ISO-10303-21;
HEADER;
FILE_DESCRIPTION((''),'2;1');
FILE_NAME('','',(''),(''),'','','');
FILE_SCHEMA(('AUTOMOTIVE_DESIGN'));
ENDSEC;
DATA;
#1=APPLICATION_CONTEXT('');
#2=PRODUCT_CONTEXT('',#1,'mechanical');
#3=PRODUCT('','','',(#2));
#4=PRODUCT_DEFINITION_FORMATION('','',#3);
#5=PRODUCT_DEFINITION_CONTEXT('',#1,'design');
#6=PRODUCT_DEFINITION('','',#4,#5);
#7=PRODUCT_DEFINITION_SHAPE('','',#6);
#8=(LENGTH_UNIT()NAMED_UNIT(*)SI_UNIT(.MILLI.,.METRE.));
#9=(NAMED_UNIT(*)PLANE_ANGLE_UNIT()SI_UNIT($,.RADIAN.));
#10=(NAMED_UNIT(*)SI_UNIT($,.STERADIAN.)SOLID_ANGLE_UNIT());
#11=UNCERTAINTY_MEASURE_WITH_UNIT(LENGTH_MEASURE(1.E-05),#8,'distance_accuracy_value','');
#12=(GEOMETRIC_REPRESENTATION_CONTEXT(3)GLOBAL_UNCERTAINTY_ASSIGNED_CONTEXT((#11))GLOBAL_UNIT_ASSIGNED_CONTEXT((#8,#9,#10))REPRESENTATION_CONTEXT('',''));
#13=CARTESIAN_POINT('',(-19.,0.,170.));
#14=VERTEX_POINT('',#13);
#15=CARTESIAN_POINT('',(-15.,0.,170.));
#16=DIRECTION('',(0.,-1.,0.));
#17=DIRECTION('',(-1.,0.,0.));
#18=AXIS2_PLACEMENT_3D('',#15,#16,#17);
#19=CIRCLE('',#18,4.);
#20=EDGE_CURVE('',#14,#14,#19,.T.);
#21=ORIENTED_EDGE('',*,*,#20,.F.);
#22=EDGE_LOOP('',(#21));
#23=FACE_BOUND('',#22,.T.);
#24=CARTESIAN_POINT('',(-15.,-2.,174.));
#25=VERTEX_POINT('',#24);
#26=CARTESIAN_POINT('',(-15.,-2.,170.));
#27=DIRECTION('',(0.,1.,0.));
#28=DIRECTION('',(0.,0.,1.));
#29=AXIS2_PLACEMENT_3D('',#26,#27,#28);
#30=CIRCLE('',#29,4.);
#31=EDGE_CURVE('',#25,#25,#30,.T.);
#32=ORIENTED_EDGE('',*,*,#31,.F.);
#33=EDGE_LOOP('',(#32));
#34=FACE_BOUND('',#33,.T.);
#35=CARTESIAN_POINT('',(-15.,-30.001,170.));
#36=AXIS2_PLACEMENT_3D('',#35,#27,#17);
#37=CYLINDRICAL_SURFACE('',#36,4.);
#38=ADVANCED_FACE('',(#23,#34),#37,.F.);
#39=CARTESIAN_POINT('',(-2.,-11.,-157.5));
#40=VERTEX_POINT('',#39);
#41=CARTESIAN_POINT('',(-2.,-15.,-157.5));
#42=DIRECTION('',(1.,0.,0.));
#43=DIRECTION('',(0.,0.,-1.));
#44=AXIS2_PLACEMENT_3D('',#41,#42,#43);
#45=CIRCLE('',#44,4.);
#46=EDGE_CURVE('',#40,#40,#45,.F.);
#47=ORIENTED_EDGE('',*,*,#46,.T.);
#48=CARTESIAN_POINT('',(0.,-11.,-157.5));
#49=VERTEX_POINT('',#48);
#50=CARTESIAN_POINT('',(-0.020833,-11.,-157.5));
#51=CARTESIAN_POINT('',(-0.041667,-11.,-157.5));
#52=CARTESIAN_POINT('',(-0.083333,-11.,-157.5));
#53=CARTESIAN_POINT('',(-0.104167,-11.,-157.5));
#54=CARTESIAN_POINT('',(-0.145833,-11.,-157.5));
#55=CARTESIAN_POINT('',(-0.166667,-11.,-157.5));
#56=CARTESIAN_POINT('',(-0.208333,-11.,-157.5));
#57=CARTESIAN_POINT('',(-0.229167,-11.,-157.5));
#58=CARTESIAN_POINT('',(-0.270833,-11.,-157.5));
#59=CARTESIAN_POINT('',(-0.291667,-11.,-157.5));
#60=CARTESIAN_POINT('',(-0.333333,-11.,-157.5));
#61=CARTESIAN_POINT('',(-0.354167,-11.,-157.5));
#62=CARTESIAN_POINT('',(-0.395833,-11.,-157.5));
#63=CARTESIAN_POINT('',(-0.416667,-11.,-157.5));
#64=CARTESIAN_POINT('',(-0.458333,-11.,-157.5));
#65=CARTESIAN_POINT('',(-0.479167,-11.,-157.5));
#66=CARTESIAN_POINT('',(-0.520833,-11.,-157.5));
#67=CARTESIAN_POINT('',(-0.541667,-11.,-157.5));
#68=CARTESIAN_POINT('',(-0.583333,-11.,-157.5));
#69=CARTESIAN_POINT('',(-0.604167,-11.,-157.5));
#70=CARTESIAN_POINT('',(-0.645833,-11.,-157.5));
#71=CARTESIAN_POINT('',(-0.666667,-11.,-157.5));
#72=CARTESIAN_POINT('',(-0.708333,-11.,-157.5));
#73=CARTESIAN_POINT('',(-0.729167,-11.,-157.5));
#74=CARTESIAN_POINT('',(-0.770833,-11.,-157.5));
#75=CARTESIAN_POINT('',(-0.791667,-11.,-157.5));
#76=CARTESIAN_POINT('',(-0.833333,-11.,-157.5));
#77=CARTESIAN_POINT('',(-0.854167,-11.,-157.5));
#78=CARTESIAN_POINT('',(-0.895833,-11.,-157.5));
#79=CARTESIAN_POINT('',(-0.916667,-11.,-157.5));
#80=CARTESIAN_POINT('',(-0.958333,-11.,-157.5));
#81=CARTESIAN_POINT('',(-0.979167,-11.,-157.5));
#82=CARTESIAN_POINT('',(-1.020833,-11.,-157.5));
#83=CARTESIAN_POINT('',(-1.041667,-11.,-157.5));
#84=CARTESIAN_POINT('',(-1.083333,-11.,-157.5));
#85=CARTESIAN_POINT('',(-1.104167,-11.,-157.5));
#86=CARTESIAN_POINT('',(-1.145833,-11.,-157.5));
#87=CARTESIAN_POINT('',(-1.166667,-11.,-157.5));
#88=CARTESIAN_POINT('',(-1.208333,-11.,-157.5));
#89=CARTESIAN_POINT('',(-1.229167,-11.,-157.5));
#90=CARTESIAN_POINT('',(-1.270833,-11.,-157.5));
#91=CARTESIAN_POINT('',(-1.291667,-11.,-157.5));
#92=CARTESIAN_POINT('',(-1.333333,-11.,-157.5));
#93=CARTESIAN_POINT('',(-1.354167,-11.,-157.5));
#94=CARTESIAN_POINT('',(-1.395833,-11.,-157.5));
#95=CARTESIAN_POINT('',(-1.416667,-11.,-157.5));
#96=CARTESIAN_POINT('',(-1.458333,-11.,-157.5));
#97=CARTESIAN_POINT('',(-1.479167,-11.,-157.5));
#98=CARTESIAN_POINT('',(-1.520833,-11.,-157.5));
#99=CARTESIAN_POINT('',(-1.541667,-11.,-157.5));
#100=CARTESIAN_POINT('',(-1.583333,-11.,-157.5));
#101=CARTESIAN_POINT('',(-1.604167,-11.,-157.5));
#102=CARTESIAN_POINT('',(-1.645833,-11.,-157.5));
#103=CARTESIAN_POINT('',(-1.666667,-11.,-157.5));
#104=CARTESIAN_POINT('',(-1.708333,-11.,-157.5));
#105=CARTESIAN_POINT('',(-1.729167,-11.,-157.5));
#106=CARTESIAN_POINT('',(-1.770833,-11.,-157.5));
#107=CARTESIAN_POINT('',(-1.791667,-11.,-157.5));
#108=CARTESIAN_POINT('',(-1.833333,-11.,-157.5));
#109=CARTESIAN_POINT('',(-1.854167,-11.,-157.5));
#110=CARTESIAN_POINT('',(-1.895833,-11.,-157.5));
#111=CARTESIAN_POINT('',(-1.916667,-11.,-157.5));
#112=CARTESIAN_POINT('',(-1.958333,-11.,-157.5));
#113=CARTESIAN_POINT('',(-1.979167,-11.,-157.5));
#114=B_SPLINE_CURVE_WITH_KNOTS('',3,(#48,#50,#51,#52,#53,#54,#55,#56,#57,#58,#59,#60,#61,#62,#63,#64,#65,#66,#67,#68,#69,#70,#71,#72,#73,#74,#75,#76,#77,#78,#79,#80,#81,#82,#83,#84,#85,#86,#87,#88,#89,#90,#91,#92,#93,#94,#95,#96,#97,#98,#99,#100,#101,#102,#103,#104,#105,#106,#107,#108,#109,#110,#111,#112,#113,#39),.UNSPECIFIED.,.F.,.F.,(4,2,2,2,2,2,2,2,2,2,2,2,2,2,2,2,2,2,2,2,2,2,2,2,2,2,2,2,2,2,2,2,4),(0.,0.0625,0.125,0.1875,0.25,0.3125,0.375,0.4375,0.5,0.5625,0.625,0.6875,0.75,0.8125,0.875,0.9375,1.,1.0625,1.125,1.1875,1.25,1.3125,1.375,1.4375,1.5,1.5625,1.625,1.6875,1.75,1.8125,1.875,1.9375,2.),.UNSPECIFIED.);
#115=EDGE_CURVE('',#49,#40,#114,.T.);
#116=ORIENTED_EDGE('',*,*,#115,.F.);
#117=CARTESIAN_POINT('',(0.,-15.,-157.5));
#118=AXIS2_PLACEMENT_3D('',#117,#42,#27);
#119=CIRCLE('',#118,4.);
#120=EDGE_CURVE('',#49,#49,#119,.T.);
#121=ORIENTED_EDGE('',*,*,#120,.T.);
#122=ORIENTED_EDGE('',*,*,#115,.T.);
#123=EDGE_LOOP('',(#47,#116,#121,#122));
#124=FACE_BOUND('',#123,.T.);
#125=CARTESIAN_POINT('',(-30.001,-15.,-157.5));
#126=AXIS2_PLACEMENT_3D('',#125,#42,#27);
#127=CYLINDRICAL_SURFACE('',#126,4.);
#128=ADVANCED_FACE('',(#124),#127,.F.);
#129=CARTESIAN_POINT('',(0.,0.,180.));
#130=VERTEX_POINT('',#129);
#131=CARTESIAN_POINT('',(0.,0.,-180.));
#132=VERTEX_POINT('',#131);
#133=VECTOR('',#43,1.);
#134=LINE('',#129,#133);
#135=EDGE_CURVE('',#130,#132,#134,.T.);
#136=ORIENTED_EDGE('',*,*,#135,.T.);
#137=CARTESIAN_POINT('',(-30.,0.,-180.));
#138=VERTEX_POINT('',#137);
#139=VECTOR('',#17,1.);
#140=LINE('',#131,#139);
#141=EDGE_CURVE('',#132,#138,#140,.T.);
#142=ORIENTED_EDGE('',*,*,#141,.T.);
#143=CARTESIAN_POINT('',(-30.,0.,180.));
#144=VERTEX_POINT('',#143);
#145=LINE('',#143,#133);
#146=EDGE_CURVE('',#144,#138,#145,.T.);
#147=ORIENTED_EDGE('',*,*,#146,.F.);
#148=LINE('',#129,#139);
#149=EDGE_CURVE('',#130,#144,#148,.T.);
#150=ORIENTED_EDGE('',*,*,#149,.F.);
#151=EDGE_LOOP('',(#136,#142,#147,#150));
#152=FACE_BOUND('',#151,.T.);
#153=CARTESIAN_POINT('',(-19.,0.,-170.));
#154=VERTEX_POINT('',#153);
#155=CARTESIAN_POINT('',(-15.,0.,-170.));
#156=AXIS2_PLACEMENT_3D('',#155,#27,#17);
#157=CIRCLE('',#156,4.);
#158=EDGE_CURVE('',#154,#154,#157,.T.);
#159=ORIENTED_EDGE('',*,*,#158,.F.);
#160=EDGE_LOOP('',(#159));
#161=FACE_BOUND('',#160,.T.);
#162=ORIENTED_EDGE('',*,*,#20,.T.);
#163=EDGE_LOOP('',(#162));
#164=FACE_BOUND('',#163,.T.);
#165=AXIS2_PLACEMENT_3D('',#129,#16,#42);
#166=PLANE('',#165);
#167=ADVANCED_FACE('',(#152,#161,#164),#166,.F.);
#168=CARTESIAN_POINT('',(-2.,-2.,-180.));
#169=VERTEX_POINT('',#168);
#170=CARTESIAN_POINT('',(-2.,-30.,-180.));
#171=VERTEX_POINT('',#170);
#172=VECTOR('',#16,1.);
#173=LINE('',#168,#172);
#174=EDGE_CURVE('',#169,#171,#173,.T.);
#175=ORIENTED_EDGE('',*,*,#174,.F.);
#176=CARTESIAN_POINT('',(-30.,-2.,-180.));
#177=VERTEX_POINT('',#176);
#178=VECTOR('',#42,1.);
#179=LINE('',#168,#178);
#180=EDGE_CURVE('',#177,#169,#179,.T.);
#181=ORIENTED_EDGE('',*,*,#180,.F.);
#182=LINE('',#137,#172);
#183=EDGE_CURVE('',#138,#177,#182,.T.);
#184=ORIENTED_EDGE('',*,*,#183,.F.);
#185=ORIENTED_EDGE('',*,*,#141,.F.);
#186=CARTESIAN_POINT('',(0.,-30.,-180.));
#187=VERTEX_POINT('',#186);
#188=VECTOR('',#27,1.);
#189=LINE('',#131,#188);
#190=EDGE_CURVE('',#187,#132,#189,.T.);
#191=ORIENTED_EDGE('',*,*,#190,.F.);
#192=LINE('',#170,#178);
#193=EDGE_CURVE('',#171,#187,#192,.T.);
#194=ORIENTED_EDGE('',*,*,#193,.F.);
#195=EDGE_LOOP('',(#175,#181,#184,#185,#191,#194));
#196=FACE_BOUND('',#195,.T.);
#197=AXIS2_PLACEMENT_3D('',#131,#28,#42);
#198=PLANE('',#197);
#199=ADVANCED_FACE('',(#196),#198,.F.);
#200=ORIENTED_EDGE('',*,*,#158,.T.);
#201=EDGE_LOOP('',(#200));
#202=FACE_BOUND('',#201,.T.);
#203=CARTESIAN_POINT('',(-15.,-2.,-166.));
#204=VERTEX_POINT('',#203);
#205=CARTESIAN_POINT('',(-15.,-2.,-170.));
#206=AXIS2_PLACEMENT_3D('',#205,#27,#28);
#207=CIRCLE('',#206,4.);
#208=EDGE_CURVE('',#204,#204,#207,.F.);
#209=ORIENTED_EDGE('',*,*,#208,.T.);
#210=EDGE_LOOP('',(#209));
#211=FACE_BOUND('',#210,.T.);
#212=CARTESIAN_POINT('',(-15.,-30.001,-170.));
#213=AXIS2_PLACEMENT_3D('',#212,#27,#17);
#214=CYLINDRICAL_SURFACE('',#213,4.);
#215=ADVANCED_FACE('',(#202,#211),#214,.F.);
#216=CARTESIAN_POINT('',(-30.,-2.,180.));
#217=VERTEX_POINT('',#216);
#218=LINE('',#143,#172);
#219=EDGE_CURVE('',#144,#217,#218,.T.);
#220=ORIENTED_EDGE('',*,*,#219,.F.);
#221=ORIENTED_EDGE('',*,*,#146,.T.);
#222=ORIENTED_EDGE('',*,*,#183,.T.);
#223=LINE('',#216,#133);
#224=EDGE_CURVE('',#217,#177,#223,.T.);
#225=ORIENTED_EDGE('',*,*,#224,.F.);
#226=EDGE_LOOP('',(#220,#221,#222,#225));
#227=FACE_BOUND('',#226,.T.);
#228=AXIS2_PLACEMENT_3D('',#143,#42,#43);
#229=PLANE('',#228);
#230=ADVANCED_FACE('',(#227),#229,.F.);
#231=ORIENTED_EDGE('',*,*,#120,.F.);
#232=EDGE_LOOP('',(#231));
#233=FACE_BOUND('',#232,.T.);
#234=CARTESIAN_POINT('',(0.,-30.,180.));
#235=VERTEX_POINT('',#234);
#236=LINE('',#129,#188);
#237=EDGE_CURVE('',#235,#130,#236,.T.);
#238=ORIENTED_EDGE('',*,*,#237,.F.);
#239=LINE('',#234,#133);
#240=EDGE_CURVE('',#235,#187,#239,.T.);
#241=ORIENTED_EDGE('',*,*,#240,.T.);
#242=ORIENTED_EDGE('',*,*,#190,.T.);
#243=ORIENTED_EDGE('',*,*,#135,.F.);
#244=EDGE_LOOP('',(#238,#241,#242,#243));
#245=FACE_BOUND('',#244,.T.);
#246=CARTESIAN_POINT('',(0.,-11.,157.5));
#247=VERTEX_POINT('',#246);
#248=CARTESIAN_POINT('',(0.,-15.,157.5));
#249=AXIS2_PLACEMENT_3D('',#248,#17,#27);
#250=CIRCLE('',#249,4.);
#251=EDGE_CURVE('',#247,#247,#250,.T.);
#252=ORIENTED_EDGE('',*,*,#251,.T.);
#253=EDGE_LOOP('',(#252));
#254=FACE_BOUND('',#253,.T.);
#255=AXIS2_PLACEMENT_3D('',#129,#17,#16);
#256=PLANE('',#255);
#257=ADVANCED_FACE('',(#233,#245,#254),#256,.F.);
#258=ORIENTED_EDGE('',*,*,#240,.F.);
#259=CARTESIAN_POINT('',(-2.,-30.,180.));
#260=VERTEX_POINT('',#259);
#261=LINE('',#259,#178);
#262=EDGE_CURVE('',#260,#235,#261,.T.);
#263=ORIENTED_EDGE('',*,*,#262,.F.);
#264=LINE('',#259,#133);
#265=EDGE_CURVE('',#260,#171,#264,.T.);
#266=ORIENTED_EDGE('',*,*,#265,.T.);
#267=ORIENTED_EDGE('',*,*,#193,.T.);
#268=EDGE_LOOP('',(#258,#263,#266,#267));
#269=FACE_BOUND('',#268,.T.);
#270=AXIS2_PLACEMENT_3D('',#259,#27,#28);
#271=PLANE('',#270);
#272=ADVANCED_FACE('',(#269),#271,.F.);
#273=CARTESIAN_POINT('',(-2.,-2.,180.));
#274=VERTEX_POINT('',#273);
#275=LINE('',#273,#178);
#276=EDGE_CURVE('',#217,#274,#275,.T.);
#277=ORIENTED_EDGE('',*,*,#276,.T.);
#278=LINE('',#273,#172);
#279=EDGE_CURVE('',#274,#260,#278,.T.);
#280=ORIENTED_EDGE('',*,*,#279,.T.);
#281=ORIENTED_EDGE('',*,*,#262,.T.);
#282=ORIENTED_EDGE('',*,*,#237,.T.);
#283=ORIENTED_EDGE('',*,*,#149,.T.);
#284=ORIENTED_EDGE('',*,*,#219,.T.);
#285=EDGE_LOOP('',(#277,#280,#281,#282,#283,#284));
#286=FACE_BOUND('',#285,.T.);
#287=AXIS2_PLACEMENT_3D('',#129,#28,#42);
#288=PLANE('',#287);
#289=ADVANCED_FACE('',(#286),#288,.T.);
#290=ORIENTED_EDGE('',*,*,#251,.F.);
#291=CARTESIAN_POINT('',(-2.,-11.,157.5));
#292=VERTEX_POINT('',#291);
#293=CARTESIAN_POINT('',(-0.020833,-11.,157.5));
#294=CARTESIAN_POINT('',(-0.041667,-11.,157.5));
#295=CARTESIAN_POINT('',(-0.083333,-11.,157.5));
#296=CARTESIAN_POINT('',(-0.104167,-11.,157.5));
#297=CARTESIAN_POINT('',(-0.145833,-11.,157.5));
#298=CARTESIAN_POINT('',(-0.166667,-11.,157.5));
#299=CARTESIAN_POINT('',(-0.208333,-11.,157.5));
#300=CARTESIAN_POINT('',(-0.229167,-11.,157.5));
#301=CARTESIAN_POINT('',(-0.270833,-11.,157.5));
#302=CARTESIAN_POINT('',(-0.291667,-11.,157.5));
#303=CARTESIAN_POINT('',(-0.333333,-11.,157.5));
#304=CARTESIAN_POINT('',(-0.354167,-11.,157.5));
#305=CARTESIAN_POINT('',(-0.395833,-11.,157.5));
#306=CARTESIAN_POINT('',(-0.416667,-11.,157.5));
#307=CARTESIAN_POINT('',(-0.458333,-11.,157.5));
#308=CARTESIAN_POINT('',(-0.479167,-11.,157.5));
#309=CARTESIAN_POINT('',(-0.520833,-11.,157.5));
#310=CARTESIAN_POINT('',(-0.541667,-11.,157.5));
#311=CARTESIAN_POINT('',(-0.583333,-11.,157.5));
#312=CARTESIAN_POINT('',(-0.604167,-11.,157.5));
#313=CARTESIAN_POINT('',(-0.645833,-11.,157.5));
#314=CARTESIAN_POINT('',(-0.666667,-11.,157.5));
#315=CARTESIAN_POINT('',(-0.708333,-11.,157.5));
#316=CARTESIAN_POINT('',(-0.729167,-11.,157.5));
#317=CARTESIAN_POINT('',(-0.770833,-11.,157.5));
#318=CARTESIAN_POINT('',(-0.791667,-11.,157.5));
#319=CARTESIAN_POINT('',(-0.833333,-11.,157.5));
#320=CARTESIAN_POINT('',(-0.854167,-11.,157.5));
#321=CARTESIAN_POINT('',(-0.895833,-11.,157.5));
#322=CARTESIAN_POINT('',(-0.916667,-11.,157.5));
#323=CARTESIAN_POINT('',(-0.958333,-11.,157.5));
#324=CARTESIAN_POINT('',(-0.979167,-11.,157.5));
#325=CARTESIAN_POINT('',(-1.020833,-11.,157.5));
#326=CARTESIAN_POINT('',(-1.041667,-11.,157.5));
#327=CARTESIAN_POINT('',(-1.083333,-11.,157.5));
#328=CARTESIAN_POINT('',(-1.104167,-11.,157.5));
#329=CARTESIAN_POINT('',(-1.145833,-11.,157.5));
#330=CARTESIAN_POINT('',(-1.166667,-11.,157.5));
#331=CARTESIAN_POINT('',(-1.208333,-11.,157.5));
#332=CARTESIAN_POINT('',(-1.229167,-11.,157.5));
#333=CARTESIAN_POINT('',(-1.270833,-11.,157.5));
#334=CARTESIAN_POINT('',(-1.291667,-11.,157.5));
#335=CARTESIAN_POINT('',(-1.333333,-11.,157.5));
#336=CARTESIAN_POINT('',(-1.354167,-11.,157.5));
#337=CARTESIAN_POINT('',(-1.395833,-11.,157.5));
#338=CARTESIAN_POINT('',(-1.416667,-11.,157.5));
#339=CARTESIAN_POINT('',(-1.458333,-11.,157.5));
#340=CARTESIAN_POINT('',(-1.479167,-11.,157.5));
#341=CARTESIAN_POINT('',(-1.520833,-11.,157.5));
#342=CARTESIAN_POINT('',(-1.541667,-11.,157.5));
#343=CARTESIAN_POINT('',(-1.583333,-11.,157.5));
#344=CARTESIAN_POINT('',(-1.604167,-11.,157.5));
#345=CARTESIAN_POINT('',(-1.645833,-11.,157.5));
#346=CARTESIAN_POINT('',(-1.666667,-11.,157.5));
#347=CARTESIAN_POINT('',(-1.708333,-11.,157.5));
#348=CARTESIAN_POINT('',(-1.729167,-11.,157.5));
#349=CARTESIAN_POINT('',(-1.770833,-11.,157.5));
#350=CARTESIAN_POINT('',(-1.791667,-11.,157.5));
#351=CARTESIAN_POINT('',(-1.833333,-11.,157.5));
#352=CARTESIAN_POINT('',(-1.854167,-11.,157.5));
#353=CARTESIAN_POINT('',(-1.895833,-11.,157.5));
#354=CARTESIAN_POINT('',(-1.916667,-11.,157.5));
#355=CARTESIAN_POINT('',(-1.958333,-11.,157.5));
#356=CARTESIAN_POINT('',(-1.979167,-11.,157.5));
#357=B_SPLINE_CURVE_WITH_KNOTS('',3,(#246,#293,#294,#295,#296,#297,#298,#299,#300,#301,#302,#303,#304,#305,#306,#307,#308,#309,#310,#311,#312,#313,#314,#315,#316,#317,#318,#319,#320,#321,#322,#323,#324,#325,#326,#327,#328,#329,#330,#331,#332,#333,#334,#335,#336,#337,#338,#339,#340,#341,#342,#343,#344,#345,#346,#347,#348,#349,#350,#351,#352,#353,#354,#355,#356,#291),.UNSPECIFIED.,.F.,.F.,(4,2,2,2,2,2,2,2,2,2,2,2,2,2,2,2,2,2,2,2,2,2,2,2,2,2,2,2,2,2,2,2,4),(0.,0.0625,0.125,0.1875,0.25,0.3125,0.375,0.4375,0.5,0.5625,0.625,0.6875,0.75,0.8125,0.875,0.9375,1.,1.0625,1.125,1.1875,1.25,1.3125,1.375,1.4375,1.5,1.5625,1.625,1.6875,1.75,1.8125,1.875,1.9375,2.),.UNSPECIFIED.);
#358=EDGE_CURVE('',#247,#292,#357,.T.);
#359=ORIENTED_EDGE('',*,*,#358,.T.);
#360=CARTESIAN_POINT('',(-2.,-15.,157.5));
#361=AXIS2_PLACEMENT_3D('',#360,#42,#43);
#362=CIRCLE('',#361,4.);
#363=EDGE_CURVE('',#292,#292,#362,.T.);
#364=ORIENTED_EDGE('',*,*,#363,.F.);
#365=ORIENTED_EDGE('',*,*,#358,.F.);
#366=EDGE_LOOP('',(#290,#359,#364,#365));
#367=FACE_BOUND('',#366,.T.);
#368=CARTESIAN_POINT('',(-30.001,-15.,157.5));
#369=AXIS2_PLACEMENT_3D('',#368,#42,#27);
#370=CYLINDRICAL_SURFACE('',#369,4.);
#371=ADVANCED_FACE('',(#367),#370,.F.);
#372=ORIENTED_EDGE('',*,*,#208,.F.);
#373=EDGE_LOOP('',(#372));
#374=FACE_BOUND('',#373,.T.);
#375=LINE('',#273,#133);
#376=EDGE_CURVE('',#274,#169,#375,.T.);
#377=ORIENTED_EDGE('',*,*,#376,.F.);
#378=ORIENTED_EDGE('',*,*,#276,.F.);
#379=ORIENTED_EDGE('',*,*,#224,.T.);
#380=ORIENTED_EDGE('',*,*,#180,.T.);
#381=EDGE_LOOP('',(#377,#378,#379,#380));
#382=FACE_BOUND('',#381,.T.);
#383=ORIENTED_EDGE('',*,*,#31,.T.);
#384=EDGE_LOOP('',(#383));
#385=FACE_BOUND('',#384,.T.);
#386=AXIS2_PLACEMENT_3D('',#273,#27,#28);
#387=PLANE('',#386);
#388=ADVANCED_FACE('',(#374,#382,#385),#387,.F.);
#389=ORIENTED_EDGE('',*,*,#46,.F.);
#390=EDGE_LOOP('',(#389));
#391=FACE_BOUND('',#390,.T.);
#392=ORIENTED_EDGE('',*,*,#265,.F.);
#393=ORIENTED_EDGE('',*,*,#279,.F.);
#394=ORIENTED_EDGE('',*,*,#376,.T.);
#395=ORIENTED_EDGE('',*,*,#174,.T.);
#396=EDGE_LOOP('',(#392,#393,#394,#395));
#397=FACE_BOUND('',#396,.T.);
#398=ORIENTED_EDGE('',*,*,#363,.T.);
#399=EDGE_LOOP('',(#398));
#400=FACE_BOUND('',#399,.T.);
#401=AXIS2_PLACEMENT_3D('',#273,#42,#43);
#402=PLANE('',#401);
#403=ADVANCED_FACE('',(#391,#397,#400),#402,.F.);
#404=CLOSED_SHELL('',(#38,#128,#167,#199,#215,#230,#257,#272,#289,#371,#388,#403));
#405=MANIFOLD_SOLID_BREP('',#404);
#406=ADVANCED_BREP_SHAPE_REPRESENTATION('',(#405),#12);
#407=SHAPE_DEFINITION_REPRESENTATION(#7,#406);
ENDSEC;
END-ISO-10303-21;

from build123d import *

# Parameters (mm, degrees)
BOSS_EXTRUDE1_DEPTH = 180
CUT_EXTRUDE1_REACH  = 186.932
SKETCH2_R           = 4
CUT_EXTRUDE2_REACH  = 186.932
SKETCH3_R           = 4


with BuildPart() as part:
    # Sketch1 → Boss-Extrude1 (new, symmetric)
    with BuildSketch(Plane.XY):
        Polygon((0, 0), (-30, 0), (-30, -2), (-2, -2), (-2, -30), (0, -30), align=None)
    extrude(amount=BOSS_EXTRUDE1_DEPTH, both=True)

    # Sketch2 → Cut-Extrude1 (cut, up to next)
    with BuildSketch(Plane(origin=(0, 0, 0), x_dir=(1, 0, 0), z_dir=(0, 1, 0)), mode=Mode.PRIVATE) as cut_extrude1_sk1:
        with Locations((-15, 170)):
            Circle(SKETCH2_R)
    cut_extrude1_tool1 = extrude(cut_extrude1_sk1.sketch, amount=-CUT_EXTRUDE1_REACH, mode=Mode.PRIVATE) & part.part
    cut_extrude1 = cut_extrude1_tool1.solids().sort_by_distance((-15, 0, -170))[0]
    add(cut_extrude1, mode=Mode.SUBTRACT)

    # Sketch3 → Cut-Extrude2 (cut, up to next)
    with BuildSketch(Plane(origin=(0, 0, 0), x_dir=(0, 0, -1), z_dir=(1, 0, 0)), mode=Mode.PRIVATE) as cut_extrude2_sk1:
        with Locations((157.5, -15)):
            Circle(SKETCH3_R)
    cut_extrude2_tool1 = extrude(cut_extrude2_sk1.sketch, amount=-CUT_EXTRUDE2_REACH, mode=Mode.PRIVATE) & part.part
    cut_extrude2 = cut_extrude2_tool1.solids().sort_by_distance((0, -15, -157.5))[0]
    add(cut_extrude2, mode=Mode.SUBTRACT)

    # Mirror1: Cut-Extrude1, Cut-Extrude2 across plane
    add(cut_extrude1.mirror(Plane.XY), mode=Mode.SUBTRACT)
    add(cut_extrude2.mirror(Plane.XY), mode=Mode.SUBTRACT)


solid = part.part
